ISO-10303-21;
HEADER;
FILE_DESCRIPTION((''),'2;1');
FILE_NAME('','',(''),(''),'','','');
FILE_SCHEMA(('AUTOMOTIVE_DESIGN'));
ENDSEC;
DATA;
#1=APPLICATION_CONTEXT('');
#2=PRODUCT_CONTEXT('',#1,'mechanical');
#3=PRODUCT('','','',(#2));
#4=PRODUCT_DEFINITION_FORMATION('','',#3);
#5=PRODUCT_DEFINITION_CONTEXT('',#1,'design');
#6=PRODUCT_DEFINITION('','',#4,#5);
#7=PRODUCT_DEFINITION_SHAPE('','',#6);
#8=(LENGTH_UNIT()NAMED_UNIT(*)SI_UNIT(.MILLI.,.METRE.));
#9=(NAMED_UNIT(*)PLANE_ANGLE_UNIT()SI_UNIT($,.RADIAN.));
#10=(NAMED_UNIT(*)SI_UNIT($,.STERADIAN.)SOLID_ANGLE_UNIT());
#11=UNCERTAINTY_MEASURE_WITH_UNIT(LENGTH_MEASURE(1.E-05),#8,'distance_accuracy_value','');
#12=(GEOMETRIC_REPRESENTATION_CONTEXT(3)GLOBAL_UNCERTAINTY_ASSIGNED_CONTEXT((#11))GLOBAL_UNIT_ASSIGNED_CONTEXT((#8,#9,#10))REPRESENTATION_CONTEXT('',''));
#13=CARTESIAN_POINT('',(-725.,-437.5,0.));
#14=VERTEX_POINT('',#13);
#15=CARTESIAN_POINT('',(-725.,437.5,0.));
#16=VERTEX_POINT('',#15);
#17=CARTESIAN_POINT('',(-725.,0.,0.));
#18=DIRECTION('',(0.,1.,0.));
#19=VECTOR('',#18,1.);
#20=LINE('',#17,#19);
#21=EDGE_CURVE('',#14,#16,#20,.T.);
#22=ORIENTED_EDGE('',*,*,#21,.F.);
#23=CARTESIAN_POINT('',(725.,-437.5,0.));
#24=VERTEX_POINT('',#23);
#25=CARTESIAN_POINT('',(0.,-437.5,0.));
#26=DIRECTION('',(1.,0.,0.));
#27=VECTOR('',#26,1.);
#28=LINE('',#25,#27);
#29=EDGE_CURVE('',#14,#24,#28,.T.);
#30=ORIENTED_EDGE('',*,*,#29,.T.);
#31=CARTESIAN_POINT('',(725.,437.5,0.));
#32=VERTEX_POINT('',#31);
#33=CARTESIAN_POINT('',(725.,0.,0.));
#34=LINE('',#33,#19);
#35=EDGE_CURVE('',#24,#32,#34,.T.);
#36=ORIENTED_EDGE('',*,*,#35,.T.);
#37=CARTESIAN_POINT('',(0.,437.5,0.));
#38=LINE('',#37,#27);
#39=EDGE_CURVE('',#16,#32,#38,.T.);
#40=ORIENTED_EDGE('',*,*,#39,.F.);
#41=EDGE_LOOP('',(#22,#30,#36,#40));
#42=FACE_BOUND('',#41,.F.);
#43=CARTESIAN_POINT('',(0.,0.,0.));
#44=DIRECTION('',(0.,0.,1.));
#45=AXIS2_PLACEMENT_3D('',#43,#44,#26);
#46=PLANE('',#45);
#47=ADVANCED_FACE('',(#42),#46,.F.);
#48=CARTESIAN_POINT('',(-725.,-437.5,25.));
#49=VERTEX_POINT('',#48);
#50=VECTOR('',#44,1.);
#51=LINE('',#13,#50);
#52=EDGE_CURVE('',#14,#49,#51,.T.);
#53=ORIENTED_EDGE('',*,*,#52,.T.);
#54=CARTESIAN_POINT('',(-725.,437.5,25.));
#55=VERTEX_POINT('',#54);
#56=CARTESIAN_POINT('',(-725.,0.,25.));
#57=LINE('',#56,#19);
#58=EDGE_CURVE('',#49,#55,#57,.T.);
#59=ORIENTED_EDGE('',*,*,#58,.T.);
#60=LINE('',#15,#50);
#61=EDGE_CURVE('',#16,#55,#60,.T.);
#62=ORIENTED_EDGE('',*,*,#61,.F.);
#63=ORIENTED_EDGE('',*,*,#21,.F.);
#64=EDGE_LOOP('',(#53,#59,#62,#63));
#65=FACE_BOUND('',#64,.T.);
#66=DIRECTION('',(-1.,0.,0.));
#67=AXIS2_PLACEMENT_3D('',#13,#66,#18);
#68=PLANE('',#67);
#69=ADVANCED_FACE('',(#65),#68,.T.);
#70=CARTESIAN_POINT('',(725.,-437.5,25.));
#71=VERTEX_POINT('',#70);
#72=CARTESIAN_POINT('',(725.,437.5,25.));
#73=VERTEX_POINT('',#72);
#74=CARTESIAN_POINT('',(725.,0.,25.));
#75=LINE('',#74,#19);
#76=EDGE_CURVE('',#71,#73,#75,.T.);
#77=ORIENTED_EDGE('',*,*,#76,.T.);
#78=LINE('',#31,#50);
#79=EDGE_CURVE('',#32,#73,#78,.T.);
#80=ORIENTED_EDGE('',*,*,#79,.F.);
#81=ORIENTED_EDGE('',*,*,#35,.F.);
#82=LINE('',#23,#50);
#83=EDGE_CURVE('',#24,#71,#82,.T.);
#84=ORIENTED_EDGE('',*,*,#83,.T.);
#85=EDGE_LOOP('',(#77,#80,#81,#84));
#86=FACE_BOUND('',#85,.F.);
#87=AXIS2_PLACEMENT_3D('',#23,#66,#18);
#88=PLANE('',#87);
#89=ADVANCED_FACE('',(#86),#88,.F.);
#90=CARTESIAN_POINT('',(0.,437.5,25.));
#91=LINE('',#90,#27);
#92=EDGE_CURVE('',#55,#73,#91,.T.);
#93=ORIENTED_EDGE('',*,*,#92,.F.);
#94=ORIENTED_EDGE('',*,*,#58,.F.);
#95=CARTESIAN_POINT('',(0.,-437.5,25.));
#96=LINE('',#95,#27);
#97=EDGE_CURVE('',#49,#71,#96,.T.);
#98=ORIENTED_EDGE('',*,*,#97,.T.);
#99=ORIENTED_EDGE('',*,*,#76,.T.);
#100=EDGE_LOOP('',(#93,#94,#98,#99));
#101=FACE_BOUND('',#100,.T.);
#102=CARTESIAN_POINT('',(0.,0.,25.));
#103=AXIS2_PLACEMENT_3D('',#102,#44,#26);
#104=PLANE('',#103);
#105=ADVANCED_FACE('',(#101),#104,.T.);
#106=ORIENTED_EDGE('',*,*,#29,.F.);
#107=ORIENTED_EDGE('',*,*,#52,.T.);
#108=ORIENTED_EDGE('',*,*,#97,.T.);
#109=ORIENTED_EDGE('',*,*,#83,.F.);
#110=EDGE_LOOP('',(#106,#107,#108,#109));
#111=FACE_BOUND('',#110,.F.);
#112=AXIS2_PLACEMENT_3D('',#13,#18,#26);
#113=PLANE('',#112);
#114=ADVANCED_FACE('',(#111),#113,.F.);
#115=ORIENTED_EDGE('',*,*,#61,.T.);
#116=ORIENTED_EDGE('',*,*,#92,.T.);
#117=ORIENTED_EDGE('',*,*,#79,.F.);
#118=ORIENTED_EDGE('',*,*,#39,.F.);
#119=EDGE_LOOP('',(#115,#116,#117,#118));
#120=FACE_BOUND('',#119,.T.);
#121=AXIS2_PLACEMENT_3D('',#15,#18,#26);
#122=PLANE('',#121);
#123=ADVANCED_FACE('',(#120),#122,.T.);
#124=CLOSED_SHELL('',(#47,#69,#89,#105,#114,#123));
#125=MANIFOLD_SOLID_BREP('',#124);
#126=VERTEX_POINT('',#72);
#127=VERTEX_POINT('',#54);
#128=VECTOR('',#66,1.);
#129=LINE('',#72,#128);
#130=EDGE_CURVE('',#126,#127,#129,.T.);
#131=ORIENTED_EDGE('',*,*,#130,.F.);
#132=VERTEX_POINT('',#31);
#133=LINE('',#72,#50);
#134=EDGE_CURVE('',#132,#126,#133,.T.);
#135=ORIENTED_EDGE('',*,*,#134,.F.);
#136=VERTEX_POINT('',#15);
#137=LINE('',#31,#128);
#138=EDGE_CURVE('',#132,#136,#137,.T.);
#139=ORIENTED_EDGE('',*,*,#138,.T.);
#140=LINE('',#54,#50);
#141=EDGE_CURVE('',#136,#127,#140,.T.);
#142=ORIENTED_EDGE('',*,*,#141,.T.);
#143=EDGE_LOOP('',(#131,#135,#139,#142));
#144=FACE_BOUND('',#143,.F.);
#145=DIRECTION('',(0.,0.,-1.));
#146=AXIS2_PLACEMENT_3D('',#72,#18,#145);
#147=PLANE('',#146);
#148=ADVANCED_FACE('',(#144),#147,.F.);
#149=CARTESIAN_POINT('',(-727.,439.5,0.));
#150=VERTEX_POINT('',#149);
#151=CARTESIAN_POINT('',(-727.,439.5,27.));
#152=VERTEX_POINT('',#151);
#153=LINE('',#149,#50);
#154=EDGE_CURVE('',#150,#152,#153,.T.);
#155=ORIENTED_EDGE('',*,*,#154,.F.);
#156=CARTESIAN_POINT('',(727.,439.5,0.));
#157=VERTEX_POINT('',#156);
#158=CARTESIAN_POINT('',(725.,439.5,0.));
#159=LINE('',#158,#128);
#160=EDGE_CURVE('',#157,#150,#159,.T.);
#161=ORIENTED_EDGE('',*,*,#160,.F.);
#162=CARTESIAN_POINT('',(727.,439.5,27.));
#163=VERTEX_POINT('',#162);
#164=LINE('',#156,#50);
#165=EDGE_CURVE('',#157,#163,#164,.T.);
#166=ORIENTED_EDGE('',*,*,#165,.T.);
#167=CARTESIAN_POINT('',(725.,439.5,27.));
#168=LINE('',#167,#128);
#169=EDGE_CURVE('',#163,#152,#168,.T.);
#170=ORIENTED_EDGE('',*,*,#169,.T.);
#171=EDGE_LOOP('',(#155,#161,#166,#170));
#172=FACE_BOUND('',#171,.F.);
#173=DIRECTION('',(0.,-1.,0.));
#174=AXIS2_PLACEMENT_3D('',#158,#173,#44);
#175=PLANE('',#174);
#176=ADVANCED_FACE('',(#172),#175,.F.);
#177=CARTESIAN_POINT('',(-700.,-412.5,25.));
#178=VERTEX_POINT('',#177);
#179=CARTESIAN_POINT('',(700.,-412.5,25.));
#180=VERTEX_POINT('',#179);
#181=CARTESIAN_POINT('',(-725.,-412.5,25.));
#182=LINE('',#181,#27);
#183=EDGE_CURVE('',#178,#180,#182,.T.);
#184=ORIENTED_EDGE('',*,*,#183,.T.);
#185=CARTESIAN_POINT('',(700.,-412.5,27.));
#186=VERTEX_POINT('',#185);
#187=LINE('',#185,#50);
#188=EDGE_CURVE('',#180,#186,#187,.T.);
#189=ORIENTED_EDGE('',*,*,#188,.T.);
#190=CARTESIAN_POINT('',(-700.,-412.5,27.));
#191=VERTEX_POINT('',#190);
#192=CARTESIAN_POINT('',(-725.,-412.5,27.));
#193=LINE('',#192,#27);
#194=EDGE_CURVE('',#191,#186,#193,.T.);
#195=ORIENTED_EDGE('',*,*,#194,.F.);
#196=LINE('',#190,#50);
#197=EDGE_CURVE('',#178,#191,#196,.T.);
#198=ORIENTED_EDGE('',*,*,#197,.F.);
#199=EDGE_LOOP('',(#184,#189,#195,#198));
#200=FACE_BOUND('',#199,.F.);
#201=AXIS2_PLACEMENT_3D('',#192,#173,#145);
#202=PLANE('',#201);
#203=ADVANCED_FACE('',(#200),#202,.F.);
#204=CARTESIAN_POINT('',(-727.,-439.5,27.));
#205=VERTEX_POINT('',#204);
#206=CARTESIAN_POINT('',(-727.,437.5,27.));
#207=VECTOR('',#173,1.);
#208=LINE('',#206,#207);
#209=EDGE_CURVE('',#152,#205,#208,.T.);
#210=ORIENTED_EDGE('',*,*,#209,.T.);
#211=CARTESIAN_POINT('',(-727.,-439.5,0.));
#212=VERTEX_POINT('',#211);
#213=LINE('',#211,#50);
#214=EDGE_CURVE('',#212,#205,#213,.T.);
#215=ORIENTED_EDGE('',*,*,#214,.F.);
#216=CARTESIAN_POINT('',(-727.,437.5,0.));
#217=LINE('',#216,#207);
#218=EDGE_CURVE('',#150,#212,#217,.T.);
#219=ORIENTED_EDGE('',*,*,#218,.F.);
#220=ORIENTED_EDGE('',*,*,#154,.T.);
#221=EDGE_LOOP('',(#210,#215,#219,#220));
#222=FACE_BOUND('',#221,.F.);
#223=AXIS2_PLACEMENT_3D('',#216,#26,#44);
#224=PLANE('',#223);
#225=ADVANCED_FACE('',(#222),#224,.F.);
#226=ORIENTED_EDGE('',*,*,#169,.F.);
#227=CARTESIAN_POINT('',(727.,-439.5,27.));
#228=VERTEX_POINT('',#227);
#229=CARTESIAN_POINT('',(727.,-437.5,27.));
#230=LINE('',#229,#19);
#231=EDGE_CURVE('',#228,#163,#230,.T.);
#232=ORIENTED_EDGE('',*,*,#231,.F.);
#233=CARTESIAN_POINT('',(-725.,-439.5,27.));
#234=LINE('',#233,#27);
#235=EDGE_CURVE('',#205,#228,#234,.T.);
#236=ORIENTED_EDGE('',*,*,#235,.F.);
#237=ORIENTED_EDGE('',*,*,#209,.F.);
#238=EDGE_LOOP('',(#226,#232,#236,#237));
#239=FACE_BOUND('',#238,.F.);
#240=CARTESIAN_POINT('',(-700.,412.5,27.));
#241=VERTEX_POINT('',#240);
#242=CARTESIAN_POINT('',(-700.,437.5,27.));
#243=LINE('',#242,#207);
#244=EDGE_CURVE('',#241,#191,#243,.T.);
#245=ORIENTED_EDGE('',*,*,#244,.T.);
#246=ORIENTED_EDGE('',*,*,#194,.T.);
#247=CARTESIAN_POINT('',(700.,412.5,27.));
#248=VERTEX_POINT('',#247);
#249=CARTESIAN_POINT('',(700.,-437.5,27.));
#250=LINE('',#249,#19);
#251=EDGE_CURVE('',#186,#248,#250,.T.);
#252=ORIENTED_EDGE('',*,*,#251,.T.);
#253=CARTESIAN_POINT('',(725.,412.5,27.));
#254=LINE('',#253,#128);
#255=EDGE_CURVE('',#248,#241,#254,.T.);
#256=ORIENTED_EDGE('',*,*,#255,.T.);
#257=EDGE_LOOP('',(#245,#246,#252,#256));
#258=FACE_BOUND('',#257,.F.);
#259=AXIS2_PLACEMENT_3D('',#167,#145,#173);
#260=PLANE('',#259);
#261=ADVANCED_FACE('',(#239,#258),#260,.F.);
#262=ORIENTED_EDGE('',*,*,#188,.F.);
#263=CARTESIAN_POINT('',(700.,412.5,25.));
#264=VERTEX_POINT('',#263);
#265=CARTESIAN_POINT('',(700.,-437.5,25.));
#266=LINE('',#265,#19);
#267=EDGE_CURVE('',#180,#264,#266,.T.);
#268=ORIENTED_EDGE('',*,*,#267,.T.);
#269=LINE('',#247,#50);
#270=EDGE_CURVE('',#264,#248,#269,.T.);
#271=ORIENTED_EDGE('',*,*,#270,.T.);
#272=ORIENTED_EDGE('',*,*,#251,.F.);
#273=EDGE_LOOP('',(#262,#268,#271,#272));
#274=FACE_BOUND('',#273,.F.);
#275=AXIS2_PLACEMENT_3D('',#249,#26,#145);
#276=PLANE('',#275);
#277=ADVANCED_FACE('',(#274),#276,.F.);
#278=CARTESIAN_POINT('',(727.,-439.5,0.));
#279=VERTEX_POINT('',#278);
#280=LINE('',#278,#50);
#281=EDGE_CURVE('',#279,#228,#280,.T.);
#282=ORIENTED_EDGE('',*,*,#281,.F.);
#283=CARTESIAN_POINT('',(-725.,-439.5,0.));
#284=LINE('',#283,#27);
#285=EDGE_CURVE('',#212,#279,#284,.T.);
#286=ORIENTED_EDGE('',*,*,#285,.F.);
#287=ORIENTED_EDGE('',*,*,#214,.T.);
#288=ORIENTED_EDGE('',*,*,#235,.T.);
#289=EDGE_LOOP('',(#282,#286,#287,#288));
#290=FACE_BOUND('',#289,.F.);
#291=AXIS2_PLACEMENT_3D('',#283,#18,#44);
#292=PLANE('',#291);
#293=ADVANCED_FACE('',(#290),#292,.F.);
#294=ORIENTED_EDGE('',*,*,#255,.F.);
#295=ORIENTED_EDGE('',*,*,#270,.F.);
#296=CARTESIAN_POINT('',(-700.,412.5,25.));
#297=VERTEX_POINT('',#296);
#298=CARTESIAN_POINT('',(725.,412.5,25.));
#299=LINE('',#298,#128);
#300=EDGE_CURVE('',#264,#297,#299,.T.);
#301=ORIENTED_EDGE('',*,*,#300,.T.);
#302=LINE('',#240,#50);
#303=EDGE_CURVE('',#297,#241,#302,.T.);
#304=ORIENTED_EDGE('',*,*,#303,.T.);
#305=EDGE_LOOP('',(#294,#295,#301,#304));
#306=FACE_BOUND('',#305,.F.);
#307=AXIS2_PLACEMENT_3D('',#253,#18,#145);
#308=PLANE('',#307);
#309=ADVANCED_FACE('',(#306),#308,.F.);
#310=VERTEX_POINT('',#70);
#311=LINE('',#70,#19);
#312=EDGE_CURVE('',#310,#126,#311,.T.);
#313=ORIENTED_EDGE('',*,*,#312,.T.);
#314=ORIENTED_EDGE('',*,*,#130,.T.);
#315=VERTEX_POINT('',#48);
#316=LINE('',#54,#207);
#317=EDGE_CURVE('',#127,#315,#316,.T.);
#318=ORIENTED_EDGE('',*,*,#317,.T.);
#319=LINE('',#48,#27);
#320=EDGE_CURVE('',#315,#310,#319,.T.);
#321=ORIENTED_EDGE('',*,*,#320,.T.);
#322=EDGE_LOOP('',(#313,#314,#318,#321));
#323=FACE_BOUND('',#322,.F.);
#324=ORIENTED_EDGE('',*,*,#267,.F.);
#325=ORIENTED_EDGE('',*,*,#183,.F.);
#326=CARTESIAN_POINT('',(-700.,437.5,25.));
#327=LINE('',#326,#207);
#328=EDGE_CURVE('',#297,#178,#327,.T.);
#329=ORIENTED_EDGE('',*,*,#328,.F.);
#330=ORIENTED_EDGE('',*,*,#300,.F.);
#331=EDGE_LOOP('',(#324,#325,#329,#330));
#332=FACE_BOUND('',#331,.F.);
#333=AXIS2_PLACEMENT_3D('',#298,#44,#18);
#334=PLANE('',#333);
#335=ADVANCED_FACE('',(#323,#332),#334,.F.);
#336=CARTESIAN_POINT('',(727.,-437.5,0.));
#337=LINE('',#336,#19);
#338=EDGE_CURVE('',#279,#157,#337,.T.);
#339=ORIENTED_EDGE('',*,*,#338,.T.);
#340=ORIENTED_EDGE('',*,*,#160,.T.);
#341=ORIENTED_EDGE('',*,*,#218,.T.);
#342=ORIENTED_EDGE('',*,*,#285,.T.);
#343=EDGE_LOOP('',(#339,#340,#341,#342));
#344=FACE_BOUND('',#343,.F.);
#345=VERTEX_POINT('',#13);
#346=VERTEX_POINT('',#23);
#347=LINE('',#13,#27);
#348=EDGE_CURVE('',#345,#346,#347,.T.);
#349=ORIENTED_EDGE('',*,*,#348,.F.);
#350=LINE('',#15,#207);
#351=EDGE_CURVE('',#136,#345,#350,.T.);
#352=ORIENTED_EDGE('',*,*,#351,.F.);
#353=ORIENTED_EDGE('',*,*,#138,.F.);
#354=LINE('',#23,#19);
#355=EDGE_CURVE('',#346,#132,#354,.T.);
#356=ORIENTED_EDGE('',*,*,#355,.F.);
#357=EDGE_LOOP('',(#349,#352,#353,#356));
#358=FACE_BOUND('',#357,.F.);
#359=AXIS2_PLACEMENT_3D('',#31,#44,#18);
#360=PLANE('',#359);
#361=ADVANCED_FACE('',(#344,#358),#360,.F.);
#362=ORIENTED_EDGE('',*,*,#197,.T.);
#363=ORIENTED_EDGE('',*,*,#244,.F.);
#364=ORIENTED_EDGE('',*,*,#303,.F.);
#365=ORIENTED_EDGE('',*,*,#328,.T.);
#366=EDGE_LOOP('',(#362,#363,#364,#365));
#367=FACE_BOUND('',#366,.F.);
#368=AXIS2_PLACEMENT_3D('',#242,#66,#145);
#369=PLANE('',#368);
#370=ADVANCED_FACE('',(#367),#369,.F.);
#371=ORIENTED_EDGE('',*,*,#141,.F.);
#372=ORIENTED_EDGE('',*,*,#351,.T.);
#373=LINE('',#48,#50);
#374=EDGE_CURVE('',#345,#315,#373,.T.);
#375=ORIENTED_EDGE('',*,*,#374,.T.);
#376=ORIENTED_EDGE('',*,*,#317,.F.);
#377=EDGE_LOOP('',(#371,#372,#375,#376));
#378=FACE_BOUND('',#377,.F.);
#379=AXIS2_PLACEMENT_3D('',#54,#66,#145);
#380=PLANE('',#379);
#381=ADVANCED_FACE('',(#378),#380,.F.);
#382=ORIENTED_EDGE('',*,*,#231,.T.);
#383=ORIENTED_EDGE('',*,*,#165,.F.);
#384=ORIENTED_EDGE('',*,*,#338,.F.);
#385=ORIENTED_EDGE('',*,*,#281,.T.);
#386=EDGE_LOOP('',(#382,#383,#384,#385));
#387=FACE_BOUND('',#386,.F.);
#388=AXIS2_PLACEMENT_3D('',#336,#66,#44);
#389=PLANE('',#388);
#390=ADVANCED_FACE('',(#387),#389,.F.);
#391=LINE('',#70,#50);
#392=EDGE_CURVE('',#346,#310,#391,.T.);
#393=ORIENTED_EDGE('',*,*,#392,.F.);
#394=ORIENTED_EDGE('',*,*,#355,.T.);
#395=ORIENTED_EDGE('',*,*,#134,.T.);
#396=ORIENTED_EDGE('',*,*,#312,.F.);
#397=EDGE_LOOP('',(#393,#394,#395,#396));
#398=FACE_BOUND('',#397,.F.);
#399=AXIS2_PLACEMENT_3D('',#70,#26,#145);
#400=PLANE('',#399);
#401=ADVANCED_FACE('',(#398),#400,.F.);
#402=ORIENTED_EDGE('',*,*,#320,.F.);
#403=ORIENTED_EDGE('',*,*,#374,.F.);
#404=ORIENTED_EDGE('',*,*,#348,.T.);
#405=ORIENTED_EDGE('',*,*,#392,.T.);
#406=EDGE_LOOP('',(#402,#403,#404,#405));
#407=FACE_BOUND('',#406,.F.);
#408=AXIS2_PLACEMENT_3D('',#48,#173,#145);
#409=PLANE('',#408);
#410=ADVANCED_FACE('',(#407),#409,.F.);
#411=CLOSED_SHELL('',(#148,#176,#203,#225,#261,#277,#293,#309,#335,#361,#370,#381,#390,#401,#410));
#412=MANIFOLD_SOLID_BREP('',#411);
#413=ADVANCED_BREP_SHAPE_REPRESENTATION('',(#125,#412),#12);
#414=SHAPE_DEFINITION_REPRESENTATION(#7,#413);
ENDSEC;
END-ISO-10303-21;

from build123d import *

# Parameters (mm, degrees)
F0_W     = 1450
F0_H     = 875
F1_DEPTH = 25


with BuildPart() as f1:
    # F0 (on Top) → F1 (new body)
    with BuildSketch(Plane.XY):
        Rectangle(F0_W, F0_H)
    extrude(amount=F1_DEPTH)


with BuildPart() as f3:
    # F3: sweep along a path in F3_path
    with BuildLine(Plane(origin=(725, 437.5, 25), x_dir=(0, -1, 0), z_dir=(0, 0, -1))) as f3_path:
        Line((0, 0), (0, 1450))
        Line((0, 1450), (875, 1450))
        Line((875, 1450), (875, 0))
        Line((875, 0), (0, 0))
    # F2 (on face) → F3 (sweep)
    with BuildSketch(Plane.YZ.offset(725)):
        Polygon((412.5, 27), (412.5, 25), (437.5, 25), (437.5, 0), (439.5, 0), (439.5, 27), align=None)
    sweep(path=f3_path.line, transition=Transition.RIGHT)


solid = Compound([f1.part, f3.part])
